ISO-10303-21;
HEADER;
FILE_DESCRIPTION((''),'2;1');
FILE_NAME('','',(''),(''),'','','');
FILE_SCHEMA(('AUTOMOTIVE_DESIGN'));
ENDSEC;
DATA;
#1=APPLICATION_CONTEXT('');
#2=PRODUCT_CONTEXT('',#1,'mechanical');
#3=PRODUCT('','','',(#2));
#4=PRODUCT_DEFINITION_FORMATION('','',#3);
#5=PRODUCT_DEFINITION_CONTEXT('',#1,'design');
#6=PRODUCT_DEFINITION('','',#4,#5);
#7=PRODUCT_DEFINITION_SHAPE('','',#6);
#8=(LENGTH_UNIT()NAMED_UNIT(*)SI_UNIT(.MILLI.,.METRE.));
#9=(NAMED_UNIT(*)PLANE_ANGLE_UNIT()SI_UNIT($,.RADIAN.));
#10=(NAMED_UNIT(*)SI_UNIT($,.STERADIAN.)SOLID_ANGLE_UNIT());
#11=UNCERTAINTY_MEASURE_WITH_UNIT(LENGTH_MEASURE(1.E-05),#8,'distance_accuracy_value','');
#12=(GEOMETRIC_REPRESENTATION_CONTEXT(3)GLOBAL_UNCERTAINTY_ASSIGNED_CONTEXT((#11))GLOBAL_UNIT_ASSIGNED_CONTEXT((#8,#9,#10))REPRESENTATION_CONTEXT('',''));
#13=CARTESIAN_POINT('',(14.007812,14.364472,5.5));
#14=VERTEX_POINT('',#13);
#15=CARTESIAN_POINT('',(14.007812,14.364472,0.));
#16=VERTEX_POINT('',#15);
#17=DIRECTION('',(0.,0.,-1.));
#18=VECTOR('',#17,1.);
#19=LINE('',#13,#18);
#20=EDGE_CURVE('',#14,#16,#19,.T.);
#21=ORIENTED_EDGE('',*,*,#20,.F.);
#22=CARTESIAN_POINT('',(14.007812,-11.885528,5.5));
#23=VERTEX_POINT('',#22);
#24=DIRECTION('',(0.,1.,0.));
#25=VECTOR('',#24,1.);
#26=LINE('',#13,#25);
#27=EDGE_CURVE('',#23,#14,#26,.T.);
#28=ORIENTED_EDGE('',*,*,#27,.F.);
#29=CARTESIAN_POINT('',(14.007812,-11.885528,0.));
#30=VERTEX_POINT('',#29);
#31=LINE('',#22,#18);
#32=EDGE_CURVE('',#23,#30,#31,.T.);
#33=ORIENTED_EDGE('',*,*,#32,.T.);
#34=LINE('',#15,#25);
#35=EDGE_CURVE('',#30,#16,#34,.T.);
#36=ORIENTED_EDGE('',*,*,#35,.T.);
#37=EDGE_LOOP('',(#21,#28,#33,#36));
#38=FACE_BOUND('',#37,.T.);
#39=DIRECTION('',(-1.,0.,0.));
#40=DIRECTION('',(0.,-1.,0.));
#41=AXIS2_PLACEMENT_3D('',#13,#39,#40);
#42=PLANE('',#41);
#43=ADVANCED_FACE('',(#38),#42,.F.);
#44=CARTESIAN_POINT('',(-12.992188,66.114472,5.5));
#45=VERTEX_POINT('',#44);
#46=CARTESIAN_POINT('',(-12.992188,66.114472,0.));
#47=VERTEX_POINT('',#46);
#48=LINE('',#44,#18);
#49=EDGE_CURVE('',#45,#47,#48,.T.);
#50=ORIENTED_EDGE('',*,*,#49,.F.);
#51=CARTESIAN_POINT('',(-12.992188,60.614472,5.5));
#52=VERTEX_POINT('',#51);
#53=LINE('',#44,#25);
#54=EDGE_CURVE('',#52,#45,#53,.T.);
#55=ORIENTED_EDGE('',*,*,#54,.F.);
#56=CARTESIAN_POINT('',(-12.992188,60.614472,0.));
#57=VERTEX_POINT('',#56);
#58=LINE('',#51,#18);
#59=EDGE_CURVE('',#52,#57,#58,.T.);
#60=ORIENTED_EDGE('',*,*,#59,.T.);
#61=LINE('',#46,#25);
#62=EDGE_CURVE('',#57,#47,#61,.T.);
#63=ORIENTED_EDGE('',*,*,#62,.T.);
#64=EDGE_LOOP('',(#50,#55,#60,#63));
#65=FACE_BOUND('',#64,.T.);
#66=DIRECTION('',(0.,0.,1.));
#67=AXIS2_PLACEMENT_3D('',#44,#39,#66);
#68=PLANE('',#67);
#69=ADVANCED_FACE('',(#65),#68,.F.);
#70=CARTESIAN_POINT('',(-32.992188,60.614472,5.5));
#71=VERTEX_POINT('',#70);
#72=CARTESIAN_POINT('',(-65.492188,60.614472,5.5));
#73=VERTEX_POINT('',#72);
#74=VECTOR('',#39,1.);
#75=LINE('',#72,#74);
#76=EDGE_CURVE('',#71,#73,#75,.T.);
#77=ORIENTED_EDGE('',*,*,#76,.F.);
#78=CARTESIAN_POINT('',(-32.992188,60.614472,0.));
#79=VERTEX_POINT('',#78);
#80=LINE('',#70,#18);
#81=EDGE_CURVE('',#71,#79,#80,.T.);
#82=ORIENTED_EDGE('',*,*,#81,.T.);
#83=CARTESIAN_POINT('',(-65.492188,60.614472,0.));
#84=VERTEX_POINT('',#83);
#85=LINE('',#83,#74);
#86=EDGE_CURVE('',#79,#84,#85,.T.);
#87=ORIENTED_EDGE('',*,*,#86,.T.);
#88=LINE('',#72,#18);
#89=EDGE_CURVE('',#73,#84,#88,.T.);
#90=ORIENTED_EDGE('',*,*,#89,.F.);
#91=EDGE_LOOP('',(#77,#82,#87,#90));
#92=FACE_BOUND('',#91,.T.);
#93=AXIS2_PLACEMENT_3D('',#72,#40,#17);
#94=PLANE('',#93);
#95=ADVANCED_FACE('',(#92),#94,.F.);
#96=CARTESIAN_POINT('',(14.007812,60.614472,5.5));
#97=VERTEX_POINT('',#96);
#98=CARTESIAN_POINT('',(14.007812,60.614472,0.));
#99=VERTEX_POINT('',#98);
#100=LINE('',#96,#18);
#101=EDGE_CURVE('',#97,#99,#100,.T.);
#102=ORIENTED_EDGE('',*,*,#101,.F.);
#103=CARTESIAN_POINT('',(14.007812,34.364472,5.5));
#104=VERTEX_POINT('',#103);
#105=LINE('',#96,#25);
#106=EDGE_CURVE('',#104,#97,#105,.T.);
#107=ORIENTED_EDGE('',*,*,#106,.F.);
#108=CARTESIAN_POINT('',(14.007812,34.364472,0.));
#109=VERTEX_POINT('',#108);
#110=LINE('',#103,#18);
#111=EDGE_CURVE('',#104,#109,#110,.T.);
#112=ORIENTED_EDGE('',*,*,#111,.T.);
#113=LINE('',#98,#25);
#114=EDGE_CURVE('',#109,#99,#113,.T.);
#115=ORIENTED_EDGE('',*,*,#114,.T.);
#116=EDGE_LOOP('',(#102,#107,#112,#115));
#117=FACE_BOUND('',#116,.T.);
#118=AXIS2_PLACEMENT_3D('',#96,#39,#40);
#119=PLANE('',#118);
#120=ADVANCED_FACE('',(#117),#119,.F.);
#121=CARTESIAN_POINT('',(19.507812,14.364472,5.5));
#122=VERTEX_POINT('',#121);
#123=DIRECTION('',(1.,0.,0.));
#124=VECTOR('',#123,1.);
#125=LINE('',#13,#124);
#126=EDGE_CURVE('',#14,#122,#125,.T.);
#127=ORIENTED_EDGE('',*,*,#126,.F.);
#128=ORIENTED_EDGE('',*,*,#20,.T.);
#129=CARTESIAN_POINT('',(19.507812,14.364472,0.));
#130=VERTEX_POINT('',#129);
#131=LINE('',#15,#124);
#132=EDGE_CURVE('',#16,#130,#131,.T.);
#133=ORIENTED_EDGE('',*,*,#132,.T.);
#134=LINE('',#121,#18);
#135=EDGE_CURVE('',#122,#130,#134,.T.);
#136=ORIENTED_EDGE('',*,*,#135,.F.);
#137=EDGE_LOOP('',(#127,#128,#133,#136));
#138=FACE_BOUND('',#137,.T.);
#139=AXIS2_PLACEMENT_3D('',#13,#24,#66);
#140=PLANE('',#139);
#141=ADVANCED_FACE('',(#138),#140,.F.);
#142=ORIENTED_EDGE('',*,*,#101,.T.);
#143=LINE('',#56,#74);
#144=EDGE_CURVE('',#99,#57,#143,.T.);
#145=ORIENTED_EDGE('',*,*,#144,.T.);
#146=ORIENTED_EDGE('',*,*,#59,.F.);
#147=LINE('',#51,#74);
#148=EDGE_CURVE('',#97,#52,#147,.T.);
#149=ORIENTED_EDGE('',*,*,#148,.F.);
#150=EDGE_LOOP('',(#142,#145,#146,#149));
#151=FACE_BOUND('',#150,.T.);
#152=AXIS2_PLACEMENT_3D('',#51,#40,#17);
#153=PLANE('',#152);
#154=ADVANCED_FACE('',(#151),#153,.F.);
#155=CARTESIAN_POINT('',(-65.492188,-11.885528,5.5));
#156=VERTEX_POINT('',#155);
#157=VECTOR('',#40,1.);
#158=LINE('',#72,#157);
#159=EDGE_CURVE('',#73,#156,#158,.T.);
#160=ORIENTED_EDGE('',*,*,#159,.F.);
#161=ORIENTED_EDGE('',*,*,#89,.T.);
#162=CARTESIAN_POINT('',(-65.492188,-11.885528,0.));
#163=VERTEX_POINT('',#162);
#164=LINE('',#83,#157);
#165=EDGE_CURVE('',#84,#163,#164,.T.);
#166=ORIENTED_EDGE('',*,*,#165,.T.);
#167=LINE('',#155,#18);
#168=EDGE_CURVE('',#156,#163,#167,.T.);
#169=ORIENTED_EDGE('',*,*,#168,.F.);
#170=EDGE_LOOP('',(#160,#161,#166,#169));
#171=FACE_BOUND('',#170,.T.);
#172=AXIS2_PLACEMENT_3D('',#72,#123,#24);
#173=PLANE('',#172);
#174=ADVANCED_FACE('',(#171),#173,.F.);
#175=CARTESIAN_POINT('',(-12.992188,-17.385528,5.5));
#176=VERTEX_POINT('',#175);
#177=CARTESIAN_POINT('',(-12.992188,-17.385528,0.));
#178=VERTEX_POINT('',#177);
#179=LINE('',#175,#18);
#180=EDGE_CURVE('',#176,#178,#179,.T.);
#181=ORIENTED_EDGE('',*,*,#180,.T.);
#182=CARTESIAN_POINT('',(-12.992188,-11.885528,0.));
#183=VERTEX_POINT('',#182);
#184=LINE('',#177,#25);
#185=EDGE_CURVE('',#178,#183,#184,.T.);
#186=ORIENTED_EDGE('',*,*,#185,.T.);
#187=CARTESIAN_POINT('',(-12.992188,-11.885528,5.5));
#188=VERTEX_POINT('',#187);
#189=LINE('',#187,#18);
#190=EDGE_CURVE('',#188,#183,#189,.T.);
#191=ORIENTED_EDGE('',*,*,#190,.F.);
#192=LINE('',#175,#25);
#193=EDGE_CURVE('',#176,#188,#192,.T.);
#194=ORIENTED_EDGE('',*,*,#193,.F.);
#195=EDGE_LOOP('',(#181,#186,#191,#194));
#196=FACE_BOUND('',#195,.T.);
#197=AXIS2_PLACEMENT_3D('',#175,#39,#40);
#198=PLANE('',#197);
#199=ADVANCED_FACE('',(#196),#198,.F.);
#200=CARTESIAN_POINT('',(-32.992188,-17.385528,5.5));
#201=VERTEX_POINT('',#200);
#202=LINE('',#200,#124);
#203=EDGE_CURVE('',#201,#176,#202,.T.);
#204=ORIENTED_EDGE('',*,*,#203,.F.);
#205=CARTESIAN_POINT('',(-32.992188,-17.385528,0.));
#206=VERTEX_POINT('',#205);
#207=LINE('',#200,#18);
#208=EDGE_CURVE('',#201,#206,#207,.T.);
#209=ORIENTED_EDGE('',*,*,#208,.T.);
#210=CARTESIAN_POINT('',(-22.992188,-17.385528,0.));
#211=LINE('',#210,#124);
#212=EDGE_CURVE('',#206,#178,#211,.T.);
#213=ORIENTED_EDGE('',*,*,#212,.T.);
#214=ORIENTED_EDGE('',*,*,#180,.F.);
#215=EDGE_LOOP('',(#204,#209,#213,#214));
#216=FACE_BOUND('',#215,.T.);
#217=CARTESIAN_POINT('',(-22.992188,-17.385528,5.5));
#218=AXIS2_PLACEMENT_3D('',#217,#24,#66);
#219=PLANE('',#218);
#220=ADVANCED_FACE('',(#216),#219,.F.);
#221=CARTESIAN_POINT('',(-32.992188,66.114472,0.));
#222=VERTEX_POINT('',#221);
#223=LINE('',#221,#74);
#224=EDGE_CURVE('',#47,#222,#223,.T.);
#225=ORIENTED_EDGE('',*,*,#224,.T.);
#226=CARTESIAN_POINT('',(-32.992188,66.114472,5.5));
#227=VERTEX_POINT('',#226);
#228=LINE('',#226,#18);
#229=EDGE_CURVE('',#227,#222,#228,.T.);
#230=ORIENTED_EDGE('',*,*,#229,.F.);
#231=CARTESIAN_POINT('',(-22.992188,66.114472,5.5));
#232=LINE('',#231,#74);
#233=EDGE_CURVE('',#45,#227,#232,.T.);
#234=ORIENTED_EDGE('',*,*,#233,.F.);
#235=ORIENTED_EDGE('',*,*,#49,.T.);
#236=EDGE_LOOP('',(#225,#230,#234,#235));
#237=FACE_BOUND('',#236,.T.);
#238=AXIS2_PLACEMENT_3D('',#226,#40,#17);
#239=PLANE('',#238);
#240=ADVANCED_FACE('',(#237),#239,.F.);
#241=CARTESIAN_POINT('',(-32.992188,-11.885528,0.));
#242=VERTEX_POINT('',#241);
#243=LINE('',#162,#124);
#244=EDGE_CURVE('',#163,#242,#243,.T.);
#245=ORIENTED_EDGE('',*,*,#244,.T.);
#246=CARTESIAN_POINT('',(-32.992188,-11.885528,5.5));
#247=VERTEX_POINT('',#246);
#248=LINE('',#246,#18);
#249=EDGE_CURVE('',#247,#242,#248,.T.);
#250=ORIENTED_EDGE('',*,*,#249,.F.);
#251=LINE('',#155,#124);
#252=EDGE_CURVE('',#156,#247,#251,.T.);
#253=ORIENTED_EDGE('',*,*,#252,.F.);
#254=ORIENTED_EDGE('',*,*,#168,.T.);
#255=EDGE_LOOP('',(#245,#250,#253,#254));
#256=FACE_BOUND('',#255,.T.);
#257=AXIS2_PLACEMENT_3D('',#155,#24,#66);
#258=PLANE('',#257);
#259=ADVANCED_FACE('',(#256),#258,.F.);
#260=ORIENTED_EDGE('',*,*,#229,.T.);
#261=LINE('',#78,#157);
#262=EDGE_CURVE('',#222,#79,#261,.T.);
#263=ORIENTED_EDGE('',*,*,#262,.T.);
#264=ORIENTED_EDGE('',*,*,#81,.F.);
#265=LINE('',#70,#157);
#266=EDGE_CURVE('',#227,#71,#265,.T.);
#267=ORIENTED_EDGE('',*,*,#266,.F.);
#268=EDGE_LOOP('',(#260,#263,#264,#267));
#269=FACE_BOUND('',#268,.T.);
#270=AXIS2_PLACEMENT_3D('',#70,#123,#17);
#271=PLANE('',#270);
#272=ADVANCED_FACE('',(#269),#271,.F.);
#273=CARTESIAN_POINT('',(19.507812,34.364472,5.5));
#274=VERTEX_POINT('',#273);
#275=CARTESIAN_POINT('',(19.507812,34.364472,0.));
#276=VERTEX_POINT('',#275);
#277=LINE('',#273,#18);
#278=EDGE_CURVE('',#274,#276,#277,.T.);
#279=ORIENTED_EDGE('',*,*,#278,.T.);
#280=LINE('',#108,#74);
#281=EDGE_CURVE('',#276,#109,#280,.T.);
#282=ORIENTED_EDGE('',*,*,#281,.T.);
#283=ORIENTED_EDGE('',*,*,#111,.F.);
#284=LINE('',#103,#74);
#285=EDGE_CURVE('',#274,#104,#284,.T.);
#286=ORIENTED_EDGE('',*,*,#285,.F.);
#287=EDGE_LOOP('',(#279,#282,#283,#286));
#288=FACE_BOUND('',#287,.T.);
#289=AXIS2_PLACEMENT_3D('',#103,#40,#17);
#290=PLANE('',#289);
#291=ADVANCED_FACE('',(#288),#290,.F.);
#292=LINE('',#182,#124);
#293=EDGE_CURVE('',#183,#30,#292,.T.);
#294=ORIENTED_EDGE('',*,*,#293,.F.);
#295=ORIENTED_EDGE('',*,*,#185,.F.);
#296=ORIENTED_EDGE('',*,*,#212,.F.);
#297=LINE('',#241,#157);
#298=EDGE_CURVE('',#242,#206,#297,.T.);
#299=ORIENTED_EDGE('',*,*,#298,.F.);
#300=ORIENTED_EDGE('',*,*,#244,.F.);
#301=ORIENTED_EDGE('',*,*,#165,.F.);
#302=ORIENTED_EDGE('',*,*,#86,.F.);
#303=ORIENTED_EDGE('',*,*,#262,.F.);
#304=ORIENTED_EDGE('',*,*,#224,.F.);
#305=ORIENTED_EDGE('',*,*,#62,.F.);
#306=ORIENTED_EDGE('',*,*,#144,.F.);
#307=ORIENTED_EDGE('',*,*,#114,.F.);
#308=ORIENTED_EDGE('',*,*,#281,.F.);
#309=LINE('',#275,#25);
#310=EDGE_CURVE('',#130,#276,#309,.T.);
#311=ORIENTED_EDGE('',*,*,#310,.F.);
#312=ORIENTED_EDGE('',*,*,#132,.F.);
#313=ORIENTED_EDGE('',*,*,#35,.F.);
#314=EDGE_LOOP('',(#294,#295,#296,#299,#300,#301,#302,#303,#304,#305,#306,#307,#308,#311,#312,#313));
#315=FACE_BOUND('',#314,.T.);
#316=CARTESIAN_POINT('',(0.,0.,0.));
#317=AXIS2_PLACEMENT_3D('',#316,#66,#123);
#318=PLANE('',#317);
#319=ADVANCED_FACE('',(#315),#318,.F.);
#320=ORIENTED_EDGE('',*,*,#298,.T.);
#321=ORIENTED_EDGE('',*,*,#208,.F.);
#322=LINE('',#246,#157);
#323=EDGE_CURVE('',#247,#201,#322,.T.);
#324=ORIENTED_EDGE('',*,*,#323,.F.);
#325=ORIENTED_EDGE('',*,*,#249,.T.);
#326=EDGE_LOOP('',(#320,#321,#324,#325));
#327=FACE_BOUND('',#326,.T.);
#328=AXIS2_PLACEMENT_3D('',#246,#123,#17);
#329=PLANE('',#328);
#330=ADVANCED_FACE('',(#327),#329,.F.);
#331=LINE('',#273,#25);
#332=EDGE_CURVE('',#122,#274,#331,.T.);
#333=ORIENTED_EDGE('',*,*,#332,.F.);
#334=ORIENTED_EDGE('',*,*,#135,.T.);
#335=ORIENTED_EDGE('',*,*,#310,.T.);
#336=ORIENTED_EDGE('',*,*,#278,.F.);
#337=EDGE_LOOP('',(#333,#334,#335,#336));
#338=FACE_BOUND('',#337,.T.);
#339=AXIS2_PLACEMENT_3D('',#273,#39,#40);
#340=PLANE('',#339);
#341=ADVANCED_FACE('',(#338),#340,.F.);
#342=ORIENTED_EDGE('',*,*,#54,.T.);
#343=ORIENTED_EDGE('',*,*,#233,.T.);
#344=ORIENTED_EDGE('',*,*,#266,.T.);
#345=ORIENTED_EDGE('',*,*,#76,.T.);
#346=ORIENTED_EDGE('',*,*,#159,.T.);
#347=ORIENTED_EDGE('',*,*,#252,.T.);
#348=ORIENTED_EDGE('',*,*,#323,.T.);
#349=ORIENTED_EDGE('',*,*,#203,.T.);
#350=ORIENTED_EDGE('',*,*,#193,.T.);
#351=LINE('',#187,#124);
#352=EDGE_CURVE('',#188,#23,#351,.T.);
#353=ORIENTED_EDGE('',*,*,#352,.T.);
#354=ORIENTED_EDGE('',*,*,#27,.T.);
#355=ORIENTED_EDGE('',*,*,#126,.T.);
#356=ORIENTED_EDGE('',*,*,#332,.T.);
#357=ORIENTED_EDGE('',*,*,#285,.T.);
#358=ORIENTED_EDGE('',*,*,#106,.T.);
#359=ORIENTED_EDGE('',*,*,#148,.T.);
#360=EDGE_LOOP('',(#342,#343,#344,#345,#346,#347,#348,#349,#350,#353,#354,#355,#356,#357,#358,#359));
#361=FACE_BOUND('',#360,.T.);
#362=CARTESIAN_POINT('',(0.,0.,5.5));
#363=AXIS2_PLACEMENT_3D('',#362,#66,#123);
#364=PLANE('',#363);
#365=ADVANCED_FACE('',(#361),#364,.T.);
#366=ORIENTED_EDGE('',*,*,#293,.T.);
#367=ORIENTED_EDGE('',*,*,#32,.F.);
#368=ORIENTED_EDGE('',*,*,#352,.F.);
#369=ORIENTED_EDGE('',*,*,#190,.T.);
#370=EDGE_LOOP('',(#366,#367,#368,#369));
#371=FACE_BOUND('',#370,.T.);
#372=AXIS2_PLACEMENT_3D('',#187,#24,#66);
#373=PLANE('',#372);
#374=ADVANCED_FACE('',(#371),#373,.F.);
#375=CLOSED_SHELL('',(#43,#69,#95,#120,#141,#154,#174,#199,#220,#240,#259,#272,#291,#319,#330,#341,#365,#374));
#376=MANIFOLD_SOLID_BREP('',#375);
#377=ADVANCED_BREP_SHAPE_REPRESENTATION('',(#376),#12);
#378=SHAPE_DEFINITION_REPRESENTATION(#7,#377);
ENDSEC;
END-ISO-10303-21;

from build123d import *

# Parameters (mm, degrees)
SALIENTE_EXTRUIR1_DEPTH = 5.5


with BuildPart() as part:
    # Croquis1 → Saliente-Extruir1 (new body)
    with BuildSketch(Plane.XY):
        Polygon((-65.492187852, -11.885527809), (-32.992187852, -11.885527809), (-32.992187852, -17.385527809), (-22.992187852, -17.385527809), (-12.992187852, -17.385527809), (-12.992187852, -11.885527809), (14.007812148, -11.885527809), (14.007812148, 14.364472191), (19.507812148, 14.364472191), (19.507812148, 34.364472191), (14.007812148, 34.364472191), (14.007812148, 60.614472191), (-12.992187852, 60.614472191), (-12.992187852, 66.114472191), (-22.992187852, 66.114472191), (-32.992187852, 66.114472191), (-32.992187852, 60.614472191), (-65.492187852, 60.614472191), align=None)
    extrude(amount=SALIENTE_EXTRUIR1_DEPTH)


solid = part.part
